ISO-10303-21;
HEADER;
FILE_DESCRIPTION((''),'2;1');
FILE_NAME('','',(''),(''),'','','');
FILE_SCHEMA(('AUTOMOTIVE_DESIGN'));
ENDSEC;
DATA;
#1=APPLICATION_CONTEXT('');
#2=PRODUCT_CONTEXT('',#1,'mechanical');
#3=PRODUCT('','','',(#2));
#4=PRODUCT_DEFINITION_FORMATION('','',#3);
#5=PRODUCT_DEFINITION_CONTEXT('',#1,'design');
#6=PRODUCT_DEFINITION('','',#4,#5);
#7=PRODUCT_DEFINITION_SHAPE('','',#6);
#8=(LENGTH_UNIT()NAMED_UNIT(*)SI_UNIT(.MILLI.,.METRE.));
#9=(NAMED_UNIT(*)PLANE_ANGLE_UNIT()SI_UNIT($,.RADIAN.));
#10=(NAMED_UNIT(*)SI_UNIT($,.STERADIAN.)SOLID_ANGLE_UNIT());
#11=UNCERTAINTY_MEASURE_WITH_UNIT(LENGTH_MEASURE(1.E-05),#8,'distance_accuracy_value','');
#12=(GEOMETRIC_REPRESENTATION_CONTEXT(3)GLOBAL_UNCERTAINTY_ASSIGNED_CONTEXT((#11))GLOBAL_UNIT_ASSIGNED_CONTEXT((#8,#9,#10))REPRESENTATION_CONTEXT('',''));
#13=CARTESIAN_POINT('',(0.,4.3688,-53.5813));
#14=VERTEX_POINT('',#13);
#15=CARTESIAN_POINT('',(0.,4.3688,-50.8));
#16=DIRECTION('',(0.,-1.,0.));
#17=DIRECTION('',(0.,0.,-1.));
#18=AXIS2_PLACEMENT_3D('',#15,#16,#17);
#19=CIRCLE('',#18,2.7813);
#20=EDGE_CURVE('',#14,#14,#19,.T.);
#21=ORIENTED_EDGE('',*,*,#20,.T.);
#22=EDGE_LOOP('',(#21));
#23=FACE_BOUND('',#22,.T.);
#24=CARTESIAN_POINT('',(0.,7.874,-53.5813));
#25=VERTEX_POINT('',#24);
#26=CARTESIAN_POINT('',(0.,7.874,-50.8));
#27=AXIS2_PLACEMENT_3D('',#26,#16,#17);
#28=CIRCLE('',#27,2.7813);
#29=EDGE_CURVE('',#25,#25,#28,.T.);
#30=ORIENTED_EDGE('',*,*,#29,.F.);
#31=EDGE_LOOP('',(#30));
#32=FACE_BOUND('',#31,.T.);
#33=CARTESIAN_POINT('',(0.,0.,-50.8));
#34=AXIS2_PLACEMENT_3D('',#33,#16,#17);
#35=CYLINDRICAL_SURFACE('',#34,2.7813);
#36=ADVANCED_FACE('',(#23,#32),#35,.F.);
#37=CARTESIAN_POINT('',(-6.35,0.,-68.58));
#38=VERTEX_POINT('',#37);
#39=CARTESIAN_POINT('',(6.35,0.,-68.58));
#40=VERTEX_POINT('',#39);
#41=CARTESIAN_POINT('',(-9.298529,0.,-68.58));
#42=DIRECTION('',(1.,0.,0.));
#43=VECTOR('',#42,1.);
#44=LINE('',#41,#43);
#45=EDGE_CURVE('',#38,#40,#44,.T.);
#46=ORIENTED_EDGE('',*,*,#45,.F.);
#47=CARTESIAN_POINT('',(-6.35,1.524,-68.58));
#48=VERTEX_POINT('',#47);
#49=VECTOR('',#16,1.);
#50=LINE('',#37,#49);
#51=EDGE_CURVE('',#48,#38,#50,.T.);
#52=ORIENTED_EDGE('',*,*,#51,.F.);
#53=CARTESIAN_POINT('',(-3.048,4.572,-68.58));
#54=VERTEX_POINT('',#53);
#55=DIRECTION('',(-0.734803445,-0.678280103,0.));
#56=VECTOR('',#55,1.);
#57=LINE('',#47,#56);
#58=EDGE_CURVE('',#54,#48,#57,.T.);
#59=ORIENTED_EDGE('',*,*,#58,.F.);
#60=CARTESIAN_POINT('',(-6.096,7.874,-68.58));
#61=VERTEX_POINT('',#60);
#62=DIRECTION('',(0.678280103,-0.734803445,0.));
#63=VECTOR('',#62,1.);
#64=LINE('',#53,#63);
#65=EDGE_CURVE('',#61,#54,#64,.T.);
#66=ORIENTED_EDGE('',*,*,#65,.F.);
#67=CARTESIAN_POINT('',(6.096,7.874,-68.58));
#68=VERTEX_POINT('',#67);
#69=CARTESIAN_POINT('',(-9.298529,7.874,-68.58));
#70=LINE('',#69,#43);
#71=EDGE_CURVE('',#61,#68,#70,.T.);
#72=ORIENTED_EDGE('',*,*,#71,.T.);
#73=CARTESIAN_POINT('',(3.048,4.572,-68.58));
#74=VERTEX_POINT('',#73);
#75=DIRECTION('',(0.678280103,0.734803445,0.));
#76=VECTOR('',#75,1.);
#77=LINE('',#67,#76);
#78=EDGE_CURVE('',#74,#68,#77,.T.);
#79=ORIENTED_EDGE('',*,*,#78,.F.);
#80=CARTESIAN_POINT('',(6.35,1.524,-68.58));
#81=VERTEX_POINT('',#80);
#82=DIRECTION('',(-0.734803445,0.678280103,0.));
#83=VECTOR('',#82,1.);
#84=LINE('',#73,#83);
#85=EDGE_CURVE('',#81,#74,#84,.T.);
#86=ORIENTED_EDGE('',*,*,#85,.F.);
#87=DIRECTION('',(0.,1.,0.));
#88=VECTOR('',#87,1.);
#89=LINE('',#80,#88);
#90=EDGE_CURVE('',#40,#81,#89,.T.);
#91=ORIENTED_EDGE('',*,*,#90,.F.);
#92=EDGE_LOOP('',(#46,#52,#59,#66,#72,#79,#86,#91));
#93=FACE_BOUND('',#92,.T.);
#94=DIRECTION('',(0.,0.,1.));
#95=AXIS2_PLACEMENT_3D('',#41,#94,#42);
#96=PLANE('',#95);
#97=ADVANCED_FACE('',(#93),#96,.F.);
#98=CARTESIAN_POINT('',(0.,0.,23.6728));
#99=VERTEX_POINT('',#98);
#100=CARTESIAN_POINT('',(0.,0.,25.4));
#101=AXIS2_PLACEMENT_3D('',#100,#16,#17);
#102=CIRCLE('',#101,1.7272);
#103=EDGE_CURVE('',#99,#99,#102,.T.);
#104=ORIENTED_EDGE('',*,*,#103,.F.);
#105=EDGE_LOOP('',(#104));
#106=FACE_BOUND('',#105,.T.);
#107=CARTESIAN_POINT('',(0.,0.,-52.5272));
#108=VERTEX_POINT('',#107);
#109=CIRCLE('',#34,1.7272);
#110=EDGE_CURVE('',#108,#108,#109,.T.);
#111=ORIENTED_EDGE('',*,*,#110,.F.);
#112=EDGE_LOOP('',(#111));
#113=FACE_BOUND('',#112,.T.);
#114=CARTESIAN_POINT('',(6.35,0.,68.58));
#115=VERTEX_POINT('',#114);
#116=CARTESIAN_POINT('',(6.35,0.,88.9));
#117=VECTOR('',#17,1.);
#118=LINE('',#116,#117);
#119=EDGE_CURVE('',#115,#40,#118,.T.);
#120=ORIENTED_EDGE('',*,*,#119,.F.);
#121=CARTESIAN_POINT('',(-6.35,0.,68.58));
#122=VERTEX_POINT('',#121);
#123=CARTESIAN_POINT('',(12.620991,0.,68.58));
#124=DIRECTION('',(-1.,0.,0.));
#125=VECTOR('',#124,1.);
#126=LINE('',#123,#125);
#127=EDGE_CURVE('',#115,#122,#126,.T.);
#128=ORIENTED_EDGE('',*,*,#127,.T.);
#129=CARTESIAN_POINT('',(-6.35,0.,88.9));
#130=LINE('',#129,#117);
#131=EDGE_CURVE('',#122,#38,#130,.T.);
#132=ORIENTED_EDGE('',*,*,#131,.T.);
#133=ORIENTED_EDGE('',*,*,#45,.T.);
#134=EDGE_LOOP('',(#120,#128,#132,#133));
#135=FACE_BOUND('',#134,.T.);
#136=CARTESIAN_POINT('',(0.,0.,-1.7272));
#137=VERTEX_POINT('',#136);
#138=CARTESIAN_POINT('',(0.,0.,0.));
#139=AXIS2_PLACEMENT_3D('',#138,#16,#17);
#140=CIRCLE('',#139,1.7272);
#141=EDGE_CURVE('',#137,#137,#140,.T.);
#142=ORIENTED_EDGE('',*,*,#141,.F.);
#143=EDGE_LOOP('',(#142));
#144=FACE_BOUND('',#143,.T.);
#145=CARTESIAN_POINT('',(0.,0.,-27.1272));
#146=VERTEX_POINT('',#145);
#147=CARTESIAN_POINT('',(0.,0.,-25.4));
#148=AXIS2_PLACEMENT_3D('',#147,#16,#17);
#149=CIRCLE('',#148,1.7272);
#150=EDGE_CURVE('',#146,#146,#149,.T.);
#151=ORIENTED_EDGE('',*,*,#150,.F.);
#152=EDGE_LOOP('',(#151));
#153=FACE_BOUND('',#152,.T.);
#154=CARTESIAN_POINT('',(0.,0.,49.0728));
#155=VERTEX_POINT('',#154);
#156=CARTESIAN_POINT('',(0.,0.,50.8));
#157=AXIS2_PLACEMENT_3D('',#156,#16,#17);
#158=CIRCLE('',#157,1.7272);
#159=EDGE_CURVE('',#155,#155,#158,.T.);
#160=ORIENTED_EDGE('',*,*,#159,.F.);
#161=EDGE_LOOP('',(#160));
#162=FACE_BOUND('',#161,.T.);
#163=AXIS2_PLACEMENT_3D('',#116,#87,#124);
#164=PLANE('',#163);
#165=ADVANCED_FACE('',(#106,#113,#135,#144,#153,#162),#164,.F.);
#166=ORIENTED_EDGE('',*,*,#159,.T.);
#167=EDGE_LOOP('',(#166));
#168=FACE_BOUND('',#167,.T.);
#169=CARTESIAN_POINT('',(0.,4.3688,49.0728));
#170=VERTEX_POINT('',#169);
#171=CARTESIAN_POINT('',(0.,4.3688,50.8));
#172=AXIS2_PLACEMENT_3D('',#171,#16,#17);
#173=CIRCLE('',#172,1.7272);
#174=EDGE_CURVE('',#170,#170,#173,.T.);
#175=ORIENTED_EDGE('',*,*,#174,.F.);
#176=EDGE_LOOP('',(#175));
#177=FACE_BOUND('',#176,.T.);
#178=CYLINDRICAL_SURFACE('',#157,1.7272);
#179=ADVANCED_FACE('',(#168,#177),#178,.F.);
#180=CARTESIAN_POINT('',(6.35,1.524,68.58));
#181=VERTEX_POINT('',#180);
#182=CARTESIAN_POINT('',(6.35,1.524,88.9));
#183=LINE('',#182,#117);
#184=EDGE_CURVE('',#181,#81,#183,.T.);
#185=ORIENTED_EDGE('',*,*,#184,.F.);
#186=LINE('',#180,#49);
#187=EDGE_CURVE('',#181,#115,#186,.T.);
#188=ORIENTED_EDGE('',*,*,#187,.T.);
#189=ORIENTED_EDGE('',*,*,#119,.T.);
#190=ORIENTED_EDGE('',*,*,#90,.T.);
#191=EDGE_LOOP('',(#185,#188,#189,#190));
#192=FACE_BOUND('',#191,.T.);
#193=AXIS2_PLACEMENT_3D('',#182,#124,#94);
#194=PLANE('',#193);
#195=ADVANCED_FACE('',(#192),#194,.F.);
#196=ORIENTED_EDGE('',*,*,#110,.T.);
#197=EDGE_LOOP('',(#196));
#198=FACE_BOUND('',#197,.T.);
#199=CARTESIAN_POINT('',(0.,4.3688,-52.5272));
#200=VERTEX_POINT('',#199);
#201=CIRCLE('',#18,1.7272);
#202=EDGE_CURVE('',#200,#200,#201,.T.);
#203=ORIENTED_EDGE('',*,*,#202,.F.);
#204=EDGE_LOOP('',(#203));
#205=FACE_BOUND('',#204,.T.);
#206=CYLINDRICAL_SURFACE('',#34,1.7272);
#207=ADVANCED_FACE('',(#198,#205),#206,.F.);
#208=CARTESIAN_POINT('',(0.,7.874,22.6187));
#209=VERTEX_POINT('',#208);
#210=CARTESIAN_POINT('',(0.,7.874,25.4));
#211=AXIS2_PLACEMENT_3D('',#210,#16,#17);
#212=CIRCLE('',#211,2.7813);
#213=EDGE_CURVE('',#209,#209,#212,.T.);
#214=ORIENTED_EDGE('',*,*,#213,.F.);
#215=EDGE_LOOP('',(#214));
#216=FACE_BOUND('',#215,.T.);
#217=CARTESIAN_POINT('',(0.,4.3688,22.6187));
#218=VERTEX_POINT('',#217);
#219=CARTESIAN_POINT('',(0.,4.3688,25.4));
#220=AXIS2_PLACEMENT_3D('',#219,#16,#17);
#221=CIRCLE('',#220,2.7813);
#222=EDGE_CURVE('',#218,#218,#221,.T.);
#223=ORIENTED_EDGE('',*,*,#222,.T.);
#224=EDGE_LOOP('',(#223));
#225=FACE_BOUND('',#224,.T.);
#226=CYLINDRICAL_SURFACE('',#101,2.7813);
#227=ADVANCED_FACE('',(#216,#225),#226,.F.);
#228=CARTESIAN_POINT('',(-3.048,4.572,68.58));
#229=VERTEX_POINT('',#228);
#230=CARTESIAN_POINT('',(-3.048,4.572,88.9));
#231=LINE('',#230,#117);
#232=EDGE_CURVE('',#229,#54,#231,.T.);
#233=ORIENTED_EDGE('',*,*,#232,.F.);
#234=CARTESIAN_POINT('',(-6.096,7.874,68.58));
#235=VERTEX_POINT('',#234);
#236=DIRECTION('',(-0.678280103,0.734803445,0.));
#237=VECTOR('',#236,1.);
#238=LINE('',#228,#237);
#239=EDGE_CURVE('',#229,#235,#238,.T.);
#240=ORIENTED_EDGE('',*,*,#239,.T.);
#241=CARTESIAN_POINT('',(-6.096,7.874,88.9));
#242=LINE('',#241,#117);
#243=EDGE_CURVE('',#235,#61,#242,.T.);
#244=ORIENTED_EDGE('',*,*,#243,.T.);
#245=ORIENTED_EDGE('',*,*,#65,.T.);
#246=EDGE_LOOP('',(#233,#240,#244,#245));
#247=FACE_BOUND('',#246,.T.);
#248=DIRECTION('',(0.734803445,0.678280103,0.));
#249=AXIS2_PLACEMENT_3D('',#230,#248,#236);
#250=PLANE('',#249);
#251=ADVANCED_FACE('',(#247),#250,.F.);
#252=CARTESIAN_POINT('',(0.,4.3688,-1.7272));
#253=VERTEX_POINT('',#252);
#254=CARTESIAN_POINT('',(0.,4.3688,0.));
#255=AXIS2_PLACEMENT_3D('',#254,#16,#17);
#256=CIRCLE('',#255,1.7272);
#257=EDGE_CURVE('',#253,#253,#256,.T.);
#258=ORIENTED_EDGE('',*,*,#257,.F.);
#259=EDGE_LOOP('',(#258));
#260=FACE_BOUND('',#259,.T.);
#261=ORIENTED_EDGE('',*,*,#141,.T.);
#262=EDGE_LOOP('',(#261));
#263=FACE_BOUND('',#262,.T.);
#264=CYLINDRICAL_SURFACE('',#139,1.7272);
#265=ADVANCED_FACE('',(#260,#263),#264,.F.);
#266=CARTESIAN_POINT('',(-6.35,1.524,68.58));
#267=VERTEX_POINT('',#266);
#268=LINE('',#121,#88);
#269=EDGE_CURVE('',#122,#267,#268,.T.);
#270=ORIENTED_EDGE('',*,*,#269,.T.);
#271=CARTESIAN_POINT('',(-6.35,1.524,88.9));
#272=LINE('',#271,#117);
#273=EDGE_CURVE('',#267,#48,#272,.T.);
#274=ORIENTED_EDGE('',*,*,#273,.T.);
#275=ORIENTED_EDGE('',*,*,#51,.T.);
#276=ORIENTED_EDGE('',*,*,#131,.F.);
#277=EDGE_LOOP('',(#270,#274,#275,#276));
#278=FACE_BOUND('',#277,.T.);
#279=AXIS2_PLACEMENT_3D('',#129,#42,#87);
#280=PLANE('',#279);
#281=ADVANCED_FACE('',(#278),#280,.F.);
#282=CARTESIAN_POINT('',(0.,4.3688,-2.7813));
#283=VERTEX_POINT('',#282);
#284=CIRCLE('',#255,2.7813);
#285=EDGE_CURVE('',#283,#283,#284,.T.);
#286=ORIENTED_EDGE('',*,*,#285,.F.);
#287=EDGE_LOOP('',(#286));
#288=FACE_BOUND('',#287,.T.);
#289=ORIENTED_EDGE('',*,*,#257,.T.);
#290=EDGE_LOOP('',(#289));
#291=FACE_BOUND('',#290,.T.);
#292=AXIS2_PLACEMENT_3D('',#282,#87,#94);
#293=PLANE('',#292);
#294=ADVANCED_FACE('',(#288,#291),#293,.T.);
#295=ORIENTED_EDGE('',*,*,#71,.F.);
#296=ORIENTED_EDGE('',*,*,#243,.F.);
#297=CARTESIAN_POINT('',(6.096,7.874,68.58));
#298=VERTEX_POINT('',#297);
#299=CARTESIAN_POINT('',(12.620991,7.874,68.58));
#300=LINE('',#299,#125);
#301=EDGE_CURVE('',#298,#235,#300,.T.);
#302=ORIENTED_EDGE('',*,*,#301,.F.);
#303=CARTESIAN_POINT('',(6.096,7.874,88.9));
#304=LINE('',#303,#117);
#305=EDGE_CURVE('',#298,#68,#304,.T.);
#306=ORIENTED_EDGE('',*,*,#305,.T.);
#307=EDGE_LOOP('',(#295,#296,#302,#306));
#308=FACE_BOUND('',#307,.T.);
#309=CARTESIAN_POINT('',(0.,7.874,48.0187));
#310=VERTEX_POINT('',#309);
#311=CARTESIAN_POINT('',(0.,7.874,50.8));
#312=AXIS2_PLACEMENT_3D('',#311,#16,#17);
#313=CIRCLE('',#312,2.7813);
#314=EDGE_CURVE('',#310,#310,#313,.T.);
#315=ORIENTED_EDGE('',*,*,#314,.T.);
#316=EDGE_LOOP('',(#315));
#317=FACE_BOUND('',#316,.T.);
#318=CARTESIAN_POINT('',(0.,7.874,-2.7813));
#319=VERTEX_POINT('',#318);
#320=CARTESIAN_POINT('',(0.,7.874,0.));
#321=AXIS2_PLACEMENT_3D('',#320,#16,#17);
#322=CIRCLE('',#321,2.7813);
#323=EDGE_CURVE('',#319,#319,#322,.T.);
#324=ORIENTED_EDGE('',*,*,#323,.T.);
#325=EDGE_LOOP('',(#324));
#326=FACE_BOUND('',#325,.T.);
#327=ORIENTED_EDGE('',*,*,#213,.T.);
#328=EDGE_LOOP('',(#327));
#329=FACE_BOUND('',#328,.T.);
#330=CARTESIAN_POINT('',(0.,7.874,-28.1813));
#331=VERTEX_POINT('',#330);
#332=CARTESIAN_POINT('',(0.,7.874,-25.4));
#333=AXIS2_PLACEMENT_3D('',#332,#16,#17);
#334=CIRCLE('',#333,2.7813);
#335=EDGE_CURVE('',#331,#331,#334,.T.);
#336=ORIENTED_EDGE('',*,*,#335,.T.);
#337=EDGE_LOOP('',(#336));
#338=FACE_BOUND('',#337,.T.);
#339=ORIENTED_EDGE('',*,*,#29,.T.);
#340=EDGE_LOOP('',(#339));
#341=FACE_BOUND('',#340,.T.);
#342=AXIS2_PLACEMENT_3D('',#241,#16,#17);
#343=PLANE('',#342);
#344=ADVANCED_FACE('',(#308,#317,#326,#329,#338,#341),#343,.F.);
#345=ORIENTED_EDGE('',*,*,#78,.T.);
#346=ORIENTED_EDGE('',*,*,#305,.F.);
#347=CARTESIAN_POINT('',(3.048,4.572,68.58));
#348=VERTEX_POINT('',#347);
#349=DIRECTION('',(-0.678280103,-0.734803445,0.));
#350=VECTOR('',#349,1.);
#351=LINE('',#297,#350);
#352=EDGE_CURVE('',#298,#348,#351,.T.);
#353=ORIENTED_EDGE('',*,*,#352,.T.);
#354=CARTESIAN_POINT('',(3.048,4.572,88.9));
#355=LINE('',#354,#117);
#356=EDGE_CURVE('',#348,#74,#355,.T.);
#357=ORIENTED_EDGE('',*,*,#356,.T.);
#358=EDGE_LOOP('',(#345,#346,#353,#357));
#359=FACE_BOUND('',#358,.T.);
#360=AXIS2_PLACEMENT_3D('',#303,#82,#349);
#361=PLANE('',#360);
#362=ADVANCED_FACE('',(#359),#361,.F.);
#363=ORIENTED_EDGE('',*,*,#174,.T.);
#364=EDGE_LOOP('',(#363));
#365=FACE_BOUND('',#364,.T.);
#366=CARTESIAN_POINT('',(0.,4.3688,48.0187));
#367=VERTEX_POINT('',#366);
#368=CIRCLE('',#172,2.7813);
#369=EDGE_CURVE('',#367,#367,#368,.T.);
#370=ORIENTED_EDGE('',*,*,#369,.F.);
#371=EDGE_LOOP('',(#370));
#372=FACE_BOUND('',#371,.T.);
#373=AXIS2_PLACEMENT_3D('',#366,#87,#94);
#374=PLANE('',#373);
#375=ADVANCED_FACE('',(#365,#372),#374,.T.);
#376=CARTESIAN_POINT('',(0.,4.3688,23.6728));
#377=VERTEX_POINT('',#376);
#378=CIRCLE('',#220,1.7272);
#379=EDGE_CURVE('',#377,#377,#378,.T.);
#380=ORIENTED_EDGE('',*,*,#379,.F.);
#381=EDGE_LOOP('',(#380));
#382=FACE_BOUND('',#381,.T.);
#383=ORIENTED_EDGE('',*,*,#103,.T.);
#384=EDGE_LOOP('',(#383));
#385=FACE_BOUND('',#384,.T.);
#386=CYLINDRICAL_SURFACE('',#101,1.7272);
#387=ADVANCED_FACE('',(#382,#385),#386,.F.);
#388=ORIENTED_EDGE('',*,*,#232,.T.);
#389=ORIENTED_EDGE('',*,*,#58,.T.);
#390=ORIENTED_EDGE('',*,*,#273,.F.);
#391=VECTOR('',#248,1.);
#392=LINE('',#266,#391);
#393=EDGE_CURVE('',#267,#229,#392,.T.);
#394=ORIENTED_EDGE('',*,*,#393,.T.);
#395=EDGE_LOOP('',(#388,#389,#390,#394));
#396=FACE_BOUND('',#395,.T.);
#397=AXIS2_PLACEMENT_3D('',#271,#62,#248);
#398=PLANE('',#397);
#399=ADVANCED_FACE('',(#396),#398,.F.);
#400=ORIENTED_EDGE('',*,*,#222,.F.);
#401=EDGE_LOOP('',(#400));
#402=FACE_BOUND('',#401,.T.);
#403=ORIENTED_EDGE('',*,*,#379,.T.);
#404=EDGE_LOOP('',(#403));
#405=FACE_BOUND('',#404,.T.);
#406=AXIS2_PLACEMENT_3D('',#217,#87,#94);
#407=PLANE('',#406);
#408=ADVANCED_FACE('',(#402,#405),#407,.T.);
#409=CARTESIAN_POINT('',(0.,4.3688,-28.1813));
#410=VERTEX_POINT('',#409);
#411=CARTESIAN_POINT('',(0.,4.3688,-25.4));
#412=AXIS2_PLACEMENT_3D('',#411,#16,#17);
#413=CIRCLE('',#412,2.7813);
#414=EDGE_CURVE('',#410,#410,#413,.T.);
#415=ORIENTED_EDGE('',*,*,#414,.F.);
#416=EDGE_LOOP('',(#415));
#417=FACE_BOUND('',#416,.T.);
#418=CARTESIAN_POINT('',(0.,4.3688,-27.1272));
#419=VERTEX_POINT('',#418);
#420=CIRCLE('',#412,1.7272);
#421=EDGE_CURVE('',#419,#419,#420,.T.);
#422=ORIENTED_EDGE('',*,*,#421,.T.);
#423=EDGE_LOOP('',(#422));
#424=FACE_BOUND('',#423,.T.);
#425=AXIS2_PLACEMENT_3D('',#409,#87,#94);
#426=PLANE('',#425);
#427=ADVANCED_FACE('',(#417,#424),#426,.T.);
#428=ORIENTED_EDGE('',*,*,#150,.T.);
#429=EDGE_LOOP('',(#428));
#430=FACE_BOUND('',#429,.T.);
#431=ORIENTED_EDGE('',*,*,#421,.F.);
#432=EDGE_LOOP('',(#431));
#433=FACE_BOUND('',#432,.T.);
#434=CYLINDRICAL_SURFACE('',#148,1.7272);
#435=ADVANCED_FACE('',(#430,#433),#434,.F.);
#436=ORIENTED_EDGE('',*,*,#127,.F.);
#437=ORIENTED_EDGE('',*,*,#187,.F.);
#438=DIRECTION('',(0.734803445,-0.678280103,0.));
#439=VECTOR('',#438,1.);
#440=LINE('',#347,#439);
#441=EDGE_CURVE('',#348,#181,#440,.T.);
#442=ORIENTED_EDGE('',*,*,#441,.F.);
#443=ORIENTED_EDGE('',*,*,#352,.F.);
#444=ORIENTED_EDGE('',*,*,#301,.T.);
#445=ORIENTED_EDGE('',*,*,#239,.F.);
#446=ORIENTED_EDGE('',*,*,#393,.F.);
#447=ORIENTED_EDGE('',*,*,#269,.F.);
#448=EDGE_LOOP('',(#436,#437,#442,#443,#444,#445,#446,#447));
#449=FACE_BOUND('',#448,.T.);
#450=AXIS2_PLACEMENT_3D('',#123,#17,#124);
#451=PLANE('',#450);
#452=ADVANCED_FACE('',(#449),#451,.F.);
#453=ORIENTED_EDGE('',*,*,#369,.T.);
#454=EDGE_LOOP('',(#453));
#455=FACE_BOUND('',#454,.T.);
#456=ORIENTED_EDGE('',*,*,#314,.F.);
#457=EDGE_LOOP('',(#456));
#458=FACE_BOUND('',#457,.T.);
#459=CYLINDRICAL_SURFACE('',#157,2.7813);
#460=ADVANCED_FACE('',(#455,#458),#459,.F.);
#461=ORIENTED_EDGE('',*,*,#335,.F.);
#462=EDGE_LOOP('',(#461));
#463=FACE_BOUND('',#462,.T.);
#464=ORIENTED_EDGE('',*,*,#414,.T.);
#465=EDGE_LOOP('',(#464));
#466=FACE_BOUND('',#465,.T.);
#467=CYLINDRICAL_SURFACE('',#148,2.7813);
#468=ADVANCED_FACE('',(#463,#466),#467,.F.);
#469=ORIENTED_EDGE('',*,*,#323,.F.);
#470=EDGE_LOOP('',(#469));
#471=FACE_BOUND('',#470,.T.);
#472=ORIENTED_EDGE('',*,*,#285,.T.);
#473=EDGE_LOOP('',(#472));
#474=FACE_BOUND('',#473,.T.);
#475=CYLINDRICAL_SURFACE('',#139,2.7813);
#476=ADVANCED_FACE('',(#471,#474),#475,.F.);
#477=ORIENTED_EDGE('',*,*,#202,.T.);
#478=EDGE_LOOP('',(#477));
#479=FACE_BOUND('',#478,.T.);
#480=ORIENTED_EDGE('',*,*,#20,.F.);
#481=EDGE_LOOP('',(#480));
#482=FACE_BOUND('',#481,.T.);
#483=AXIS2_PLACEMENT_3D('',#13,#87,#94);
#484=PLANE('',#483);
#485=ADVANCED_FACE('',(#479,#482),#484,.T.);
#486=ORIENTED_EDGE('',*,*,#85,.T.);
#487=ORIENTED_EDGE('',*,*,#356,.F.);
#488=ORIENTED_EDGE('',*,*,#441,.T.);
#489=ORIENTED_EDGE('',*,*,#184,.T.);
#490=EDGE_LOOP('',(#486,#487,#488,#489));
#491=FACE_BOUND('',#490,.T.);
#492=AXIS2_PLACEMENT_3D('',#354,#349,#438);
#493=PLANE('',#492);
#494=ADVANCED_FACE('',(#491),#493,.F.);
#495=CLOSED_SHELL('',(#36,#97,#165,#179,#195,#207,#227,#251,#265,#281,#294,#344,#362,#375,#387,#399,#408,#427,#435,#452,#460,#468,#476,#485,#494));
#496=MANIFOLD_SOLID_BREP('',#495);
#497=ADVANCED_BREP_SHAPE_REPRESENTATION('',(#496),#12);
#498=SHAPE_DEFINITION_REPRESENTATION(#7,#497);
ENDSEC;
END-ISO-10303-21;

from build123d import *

# Parameters (mm, degrees)
BOSS_EXTRUDE1_DEPTH = 88.9
LPATTERN2_COUNT     = 7
LPATTERN2_PITCH     = 25.4
SKETCH4_W           = 18.597058872
SKETCH4_H           = 20.764352928
SKETCH4_W_2         = 25.241981834
SKETCH4_H_2         = 23.038412947
CUT_EXTRUDE1_DEPTH  = 90.473640677


with BuildPart() as part:
    # Sketch1 → Boss-Extrude1 (new, symmetric)
    with BuildSketch(Plane.XY):
        Polygon((-6.096, 7.874), (6.096, 7.874), (3.048, 4.572), (6.35, 1.524), (6.35, 0), (-6.35, 0), (-6.35, 1.524), (-3.048, 4.572), align=None)
    extrude(amount=BOSS_EXTRUDE1_DEPTH, both=True)

    # Sketch2 → Cut-Revolve1 (revolve, cut)
    with BuildSketch(Plane(origin=(0, 0, 0), x_dir=(0, 0, -1), z_dir=(1, 0, 0)), mode=Mode.PRIVATE) as cut_revolve1_sk:
        Polygon((-78.9813, 7.874), (-78.9813, 4.3688), (-77.9272, 4.3688), (-77.9272, 0), (-76.2, 0), (-76.2, 7.874), align=None)
    cut_revolve1 = revolve(cut_revolve1_sk.sketch.rotate(Axis((0, 0, 76.2), (0, 1, 0)), 180), axis=Axis((0, 0, 76.2), (0, 1, 0)), mode=Mode.SUBTRACT)

    # LPattern2: Cut-Revolve1 ×7
    with Locations(*[(0, 0, -i * LPATTERN2_PITCH) for i in range(1, LPATTERN2_COUNT)]):
        add(cut_revolve1, mode=Mode.SUBTRACT)

    # Sketch4 → Cut-Extrude1 (cut, through all)
    with BuildSketch(Plane(origin=(0, 7.874, 0), x_dir=(1, 0, 0), z_dir=(0, 1, 0))):
        with Locations((0, 78.962176464)):
            Rectangle(SKETCH4_W, SKETCH4_H)
        with Locations((0, -80.099206474)):
            Rectangle(SKETCH4_W_2, SKETCH4_H_2)
    extrude(amount=-CUT_EXTRUDE1_DEPTH, mode=Mode.SUBTRACT)


solid = part.part
